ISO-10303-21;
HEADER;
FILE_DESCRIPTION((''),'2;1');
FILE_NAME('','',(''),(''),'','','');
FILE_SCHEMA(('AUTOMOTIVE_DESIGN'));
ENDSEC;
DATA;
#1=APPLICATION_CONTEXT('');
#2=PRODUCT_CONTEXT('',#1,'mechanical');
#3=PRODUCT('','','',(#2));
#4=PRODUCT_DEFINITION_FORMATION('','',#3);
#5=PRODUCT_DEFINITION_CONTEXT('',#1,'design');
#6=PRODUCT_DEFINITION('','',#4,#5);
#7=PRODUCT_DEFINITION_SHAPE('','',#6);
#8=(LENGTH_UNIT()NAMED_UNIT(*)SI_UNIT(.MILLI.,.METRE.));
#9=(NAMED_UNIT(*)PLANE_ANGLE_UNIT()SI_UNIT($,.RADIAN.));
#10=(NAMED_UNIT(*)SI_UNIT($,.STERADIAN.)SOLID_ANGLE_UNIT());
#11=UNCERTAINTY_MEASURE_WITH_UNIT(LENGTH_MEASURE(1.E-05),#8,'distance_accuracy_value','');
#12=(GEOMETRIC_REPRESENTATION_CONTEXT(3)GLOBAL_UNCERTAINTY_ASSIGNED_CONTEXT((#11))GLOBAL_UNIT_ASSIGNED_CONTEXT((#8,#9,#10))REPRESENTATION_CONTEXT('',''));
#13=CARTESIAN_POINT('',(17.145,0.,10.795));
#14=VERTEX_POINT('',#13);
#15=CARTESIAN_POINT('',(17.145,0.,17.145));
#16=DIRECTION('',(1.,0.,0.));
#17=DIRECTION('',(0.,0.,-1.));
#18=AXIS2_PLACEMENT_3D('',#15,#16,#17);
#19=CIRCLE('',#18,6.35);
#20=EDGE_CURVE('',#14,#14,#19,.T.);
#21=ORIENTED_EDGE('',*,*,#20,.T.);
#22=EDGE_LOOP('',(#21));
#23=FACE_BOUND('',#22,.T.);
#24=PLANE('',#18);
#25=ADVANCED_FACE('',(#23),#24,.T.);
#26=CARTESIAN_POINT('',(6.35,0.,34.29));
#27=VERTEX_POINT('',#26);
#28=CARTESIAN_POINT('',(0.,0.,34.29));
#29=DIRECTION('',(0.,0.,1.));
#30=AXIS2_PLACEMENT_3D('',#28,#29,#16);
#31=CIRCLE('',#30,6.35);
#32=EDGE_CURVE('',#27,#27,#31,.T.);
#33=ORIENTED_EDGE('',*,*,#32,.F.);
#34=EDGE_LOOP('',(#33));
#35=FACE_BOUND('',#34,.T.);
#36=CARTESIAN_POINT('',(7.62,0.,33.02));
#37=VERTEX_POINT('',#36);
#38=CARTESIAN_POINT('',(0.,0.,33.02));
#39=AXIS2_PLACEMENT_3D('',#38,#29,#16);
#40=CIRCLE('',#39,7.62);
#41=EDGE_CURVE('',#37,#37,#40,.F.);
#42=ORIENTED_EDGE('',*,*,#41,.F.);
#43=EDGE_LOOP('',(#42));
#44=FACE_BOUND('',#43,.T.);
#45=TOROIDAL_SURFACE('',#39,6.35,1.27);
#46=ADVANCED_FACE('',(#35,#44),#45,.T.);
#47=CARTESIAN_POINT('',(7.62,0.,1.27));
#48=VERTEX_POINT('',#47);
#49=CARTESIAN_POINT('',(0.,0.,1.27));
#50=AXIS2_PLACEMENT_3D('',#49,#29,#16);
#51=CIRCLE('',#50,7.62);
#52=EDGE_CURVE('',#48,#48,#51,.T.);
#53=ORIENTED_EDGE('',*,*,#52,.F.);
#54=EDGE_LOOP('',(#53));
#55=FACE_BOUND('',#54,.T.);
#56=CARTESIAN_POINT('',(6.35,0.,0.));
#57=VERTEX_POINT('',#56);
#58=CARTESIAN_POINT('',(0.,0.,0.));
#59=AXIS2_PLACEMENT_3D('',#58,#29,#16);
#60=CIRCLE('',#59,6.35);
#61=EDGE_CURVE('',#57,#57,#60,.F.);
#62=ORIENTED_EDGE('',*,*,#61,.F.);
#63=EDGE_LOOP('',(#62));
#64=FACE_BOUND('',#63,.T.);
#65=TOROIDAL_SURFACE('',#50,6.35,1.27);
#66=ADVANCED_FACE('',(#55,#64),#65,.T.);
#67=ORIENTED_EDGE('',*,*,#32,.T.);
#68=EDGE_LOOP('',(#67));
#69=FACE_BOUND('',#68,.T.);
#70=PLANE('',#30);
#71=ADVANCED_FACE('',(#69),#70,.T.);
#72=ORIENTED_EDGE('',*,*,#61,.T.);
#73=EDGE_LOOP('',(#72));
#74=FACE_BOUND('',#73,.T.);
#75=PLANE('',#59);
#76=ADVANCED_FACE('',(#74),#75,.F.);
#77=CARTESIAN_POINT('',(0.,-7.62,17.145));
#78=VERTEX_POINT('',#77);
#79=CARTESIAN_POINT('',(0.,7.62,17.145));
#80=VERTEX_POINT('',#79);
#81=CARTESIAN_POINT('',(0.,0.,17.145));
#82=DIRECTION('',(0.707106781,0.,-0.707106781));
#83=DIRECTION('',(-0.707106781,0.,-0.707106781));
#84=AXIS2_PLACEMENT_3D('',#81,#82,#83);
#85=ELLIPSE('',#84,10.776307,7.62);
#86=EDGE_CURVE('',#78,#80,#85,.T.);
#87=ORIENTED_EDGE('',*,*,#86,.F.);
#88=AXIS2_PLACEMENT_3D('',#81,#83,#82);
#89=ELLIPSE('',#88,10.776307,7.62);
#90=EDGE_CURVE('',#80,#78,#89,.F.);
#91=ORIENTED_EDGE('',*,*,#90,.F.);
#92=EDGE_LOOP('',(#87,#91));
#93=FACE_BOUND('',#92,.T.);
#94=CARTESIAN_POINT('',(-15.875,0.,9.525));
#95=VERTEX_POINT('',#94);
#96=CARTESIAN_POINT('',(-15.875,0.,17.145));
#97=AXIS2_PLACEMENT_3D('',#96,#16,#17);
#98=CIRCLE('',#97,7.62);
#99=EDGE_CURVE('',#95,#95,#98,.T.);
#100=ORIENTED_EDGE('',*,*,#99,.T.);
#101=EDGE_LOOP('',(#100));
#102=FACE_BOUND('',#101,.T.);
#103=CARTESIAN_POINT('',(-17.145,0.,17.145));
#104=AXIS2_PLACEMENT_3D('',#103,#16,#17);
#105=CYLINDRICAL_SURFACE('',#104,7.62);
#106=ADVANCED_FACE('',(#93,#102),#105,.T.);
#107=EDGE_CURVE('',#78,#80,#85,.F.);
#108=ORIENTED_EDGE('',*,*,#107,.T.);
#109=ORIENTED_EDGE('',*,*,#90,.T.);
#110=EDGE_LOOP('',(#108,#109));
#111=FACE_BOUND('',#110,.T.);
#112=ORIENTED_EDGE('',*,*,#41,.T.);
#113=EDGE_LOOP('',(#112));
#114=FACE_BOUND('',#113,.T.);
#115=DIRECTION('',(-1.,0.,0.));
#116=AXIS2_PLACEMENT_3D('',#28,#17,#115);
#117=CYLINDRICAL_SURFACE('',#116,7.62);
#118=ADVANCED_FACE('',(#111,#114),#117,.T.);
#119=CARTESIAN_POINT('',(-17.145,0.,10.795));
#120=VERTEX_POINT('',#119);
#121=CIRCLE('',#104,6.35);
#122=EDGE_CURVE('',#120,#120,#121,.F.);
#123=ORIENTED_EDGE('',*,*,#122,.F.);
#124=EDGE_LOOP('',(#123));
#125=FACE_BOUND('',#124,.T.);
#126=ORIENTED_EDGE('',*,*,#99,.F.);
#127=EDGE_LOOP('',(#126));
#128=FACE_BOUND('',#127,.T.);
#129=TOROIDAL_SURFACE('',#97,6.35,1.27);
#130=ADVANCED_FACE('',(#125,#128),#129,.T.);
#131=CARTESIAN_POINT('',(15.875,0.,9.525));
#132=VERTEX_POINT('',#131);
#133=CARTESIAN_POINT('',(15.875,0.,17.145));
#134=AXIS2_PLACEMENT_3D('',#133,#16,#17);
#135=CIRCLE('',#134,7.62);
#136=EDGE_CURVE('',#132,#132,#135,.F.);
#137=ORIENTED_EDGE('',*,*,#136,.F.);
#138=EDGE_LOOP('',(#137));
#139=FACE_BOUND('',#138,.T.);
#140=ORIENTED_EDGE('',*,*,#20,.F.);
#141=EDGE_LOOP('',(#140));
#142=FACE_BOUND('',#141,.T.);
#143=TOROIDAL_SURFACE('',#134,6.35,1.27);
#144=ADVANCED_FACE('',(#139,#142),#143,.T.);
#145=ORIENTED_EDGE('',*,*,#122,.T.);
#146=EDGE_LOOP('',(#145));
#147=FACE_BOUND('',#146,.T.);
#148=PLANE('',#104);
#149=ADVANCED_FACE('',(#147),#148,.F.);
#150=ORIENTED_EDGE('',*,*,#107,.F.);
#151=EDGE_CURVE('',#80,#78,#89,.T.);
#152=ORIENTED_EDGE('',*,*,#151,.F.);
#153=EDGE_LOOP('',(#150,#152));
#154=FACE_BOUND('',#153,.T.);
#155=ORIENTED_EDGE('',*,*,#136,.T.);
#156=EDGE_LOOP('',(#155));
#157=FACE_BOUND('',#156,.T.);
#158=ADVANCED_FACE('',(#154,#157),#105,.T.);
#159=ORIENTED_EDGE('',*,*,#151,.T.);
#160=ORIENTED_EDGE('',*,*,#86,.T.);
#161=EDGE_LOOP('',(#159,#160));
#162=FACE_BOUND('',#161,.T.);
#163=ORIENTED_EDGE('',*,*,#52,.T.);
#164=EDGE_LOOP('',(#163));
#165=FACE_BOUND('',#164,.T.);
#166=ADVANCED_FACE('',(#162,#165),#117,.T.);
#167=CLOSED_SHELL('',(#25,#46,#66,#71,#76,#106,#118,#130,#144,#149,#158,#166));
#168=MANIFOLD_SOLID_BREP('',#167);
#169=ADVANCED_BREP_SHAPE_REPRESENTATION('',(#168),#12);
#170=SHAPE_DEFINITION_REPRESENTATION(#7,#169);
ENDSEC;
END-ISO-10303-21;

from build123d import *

# Parameters (mm, degrees)
SKETCH2_R                = 7.62
BOSS_EXTRUDE1_DEPTH      = 34.29
BOSS_EXTRUDE2_DEPTH      = 17.145
BOSS_EXTRUDE2_DEPTH_BACK = 17.145
SKETCH3_R                = 7.62
FILLET1_R                = 1.27


with BuildPart() as part:
    # Sketch2 → Boss-Extrude1 (new body)
    with BuildSketch(Plane.XY):
        Circle(SKETCH2_R)
    extrude(amount=BOSS_EXTRUDE1_DEPTH)

    # Sketch3 → Boss-Extrude2 (add, two sides: drawn at the far end of the back side and taken through both)
    with BuildSketch(Plane(origin=(0, 0, 0), x_dir=(0, 0, -1), z_dir=(1, 0, 0)).offset(-BOSS_EXTRUDE2_DEPTH_BACK)):
        with Locations((-17.145, 0)):
            Circle(SKETCH3_R)
    extrude(amount=BOSS_EXTRUDE2_DEPTH + BOSS_EXTRUDE2_DEPTH_BACK)

    # Fillet1
    fillet1_edges = [part.edges().sort_by_distance(p)[0] for p in [
        (-7.62, 0, 0),
        (-7.62, 0, 34.29),
        (-17.145, 0, 24.765),
        (17.145, 0, 24.765),
    ]]
    fillet(fillet1_edges, radius=FILLET1_R)


solid = part.part
